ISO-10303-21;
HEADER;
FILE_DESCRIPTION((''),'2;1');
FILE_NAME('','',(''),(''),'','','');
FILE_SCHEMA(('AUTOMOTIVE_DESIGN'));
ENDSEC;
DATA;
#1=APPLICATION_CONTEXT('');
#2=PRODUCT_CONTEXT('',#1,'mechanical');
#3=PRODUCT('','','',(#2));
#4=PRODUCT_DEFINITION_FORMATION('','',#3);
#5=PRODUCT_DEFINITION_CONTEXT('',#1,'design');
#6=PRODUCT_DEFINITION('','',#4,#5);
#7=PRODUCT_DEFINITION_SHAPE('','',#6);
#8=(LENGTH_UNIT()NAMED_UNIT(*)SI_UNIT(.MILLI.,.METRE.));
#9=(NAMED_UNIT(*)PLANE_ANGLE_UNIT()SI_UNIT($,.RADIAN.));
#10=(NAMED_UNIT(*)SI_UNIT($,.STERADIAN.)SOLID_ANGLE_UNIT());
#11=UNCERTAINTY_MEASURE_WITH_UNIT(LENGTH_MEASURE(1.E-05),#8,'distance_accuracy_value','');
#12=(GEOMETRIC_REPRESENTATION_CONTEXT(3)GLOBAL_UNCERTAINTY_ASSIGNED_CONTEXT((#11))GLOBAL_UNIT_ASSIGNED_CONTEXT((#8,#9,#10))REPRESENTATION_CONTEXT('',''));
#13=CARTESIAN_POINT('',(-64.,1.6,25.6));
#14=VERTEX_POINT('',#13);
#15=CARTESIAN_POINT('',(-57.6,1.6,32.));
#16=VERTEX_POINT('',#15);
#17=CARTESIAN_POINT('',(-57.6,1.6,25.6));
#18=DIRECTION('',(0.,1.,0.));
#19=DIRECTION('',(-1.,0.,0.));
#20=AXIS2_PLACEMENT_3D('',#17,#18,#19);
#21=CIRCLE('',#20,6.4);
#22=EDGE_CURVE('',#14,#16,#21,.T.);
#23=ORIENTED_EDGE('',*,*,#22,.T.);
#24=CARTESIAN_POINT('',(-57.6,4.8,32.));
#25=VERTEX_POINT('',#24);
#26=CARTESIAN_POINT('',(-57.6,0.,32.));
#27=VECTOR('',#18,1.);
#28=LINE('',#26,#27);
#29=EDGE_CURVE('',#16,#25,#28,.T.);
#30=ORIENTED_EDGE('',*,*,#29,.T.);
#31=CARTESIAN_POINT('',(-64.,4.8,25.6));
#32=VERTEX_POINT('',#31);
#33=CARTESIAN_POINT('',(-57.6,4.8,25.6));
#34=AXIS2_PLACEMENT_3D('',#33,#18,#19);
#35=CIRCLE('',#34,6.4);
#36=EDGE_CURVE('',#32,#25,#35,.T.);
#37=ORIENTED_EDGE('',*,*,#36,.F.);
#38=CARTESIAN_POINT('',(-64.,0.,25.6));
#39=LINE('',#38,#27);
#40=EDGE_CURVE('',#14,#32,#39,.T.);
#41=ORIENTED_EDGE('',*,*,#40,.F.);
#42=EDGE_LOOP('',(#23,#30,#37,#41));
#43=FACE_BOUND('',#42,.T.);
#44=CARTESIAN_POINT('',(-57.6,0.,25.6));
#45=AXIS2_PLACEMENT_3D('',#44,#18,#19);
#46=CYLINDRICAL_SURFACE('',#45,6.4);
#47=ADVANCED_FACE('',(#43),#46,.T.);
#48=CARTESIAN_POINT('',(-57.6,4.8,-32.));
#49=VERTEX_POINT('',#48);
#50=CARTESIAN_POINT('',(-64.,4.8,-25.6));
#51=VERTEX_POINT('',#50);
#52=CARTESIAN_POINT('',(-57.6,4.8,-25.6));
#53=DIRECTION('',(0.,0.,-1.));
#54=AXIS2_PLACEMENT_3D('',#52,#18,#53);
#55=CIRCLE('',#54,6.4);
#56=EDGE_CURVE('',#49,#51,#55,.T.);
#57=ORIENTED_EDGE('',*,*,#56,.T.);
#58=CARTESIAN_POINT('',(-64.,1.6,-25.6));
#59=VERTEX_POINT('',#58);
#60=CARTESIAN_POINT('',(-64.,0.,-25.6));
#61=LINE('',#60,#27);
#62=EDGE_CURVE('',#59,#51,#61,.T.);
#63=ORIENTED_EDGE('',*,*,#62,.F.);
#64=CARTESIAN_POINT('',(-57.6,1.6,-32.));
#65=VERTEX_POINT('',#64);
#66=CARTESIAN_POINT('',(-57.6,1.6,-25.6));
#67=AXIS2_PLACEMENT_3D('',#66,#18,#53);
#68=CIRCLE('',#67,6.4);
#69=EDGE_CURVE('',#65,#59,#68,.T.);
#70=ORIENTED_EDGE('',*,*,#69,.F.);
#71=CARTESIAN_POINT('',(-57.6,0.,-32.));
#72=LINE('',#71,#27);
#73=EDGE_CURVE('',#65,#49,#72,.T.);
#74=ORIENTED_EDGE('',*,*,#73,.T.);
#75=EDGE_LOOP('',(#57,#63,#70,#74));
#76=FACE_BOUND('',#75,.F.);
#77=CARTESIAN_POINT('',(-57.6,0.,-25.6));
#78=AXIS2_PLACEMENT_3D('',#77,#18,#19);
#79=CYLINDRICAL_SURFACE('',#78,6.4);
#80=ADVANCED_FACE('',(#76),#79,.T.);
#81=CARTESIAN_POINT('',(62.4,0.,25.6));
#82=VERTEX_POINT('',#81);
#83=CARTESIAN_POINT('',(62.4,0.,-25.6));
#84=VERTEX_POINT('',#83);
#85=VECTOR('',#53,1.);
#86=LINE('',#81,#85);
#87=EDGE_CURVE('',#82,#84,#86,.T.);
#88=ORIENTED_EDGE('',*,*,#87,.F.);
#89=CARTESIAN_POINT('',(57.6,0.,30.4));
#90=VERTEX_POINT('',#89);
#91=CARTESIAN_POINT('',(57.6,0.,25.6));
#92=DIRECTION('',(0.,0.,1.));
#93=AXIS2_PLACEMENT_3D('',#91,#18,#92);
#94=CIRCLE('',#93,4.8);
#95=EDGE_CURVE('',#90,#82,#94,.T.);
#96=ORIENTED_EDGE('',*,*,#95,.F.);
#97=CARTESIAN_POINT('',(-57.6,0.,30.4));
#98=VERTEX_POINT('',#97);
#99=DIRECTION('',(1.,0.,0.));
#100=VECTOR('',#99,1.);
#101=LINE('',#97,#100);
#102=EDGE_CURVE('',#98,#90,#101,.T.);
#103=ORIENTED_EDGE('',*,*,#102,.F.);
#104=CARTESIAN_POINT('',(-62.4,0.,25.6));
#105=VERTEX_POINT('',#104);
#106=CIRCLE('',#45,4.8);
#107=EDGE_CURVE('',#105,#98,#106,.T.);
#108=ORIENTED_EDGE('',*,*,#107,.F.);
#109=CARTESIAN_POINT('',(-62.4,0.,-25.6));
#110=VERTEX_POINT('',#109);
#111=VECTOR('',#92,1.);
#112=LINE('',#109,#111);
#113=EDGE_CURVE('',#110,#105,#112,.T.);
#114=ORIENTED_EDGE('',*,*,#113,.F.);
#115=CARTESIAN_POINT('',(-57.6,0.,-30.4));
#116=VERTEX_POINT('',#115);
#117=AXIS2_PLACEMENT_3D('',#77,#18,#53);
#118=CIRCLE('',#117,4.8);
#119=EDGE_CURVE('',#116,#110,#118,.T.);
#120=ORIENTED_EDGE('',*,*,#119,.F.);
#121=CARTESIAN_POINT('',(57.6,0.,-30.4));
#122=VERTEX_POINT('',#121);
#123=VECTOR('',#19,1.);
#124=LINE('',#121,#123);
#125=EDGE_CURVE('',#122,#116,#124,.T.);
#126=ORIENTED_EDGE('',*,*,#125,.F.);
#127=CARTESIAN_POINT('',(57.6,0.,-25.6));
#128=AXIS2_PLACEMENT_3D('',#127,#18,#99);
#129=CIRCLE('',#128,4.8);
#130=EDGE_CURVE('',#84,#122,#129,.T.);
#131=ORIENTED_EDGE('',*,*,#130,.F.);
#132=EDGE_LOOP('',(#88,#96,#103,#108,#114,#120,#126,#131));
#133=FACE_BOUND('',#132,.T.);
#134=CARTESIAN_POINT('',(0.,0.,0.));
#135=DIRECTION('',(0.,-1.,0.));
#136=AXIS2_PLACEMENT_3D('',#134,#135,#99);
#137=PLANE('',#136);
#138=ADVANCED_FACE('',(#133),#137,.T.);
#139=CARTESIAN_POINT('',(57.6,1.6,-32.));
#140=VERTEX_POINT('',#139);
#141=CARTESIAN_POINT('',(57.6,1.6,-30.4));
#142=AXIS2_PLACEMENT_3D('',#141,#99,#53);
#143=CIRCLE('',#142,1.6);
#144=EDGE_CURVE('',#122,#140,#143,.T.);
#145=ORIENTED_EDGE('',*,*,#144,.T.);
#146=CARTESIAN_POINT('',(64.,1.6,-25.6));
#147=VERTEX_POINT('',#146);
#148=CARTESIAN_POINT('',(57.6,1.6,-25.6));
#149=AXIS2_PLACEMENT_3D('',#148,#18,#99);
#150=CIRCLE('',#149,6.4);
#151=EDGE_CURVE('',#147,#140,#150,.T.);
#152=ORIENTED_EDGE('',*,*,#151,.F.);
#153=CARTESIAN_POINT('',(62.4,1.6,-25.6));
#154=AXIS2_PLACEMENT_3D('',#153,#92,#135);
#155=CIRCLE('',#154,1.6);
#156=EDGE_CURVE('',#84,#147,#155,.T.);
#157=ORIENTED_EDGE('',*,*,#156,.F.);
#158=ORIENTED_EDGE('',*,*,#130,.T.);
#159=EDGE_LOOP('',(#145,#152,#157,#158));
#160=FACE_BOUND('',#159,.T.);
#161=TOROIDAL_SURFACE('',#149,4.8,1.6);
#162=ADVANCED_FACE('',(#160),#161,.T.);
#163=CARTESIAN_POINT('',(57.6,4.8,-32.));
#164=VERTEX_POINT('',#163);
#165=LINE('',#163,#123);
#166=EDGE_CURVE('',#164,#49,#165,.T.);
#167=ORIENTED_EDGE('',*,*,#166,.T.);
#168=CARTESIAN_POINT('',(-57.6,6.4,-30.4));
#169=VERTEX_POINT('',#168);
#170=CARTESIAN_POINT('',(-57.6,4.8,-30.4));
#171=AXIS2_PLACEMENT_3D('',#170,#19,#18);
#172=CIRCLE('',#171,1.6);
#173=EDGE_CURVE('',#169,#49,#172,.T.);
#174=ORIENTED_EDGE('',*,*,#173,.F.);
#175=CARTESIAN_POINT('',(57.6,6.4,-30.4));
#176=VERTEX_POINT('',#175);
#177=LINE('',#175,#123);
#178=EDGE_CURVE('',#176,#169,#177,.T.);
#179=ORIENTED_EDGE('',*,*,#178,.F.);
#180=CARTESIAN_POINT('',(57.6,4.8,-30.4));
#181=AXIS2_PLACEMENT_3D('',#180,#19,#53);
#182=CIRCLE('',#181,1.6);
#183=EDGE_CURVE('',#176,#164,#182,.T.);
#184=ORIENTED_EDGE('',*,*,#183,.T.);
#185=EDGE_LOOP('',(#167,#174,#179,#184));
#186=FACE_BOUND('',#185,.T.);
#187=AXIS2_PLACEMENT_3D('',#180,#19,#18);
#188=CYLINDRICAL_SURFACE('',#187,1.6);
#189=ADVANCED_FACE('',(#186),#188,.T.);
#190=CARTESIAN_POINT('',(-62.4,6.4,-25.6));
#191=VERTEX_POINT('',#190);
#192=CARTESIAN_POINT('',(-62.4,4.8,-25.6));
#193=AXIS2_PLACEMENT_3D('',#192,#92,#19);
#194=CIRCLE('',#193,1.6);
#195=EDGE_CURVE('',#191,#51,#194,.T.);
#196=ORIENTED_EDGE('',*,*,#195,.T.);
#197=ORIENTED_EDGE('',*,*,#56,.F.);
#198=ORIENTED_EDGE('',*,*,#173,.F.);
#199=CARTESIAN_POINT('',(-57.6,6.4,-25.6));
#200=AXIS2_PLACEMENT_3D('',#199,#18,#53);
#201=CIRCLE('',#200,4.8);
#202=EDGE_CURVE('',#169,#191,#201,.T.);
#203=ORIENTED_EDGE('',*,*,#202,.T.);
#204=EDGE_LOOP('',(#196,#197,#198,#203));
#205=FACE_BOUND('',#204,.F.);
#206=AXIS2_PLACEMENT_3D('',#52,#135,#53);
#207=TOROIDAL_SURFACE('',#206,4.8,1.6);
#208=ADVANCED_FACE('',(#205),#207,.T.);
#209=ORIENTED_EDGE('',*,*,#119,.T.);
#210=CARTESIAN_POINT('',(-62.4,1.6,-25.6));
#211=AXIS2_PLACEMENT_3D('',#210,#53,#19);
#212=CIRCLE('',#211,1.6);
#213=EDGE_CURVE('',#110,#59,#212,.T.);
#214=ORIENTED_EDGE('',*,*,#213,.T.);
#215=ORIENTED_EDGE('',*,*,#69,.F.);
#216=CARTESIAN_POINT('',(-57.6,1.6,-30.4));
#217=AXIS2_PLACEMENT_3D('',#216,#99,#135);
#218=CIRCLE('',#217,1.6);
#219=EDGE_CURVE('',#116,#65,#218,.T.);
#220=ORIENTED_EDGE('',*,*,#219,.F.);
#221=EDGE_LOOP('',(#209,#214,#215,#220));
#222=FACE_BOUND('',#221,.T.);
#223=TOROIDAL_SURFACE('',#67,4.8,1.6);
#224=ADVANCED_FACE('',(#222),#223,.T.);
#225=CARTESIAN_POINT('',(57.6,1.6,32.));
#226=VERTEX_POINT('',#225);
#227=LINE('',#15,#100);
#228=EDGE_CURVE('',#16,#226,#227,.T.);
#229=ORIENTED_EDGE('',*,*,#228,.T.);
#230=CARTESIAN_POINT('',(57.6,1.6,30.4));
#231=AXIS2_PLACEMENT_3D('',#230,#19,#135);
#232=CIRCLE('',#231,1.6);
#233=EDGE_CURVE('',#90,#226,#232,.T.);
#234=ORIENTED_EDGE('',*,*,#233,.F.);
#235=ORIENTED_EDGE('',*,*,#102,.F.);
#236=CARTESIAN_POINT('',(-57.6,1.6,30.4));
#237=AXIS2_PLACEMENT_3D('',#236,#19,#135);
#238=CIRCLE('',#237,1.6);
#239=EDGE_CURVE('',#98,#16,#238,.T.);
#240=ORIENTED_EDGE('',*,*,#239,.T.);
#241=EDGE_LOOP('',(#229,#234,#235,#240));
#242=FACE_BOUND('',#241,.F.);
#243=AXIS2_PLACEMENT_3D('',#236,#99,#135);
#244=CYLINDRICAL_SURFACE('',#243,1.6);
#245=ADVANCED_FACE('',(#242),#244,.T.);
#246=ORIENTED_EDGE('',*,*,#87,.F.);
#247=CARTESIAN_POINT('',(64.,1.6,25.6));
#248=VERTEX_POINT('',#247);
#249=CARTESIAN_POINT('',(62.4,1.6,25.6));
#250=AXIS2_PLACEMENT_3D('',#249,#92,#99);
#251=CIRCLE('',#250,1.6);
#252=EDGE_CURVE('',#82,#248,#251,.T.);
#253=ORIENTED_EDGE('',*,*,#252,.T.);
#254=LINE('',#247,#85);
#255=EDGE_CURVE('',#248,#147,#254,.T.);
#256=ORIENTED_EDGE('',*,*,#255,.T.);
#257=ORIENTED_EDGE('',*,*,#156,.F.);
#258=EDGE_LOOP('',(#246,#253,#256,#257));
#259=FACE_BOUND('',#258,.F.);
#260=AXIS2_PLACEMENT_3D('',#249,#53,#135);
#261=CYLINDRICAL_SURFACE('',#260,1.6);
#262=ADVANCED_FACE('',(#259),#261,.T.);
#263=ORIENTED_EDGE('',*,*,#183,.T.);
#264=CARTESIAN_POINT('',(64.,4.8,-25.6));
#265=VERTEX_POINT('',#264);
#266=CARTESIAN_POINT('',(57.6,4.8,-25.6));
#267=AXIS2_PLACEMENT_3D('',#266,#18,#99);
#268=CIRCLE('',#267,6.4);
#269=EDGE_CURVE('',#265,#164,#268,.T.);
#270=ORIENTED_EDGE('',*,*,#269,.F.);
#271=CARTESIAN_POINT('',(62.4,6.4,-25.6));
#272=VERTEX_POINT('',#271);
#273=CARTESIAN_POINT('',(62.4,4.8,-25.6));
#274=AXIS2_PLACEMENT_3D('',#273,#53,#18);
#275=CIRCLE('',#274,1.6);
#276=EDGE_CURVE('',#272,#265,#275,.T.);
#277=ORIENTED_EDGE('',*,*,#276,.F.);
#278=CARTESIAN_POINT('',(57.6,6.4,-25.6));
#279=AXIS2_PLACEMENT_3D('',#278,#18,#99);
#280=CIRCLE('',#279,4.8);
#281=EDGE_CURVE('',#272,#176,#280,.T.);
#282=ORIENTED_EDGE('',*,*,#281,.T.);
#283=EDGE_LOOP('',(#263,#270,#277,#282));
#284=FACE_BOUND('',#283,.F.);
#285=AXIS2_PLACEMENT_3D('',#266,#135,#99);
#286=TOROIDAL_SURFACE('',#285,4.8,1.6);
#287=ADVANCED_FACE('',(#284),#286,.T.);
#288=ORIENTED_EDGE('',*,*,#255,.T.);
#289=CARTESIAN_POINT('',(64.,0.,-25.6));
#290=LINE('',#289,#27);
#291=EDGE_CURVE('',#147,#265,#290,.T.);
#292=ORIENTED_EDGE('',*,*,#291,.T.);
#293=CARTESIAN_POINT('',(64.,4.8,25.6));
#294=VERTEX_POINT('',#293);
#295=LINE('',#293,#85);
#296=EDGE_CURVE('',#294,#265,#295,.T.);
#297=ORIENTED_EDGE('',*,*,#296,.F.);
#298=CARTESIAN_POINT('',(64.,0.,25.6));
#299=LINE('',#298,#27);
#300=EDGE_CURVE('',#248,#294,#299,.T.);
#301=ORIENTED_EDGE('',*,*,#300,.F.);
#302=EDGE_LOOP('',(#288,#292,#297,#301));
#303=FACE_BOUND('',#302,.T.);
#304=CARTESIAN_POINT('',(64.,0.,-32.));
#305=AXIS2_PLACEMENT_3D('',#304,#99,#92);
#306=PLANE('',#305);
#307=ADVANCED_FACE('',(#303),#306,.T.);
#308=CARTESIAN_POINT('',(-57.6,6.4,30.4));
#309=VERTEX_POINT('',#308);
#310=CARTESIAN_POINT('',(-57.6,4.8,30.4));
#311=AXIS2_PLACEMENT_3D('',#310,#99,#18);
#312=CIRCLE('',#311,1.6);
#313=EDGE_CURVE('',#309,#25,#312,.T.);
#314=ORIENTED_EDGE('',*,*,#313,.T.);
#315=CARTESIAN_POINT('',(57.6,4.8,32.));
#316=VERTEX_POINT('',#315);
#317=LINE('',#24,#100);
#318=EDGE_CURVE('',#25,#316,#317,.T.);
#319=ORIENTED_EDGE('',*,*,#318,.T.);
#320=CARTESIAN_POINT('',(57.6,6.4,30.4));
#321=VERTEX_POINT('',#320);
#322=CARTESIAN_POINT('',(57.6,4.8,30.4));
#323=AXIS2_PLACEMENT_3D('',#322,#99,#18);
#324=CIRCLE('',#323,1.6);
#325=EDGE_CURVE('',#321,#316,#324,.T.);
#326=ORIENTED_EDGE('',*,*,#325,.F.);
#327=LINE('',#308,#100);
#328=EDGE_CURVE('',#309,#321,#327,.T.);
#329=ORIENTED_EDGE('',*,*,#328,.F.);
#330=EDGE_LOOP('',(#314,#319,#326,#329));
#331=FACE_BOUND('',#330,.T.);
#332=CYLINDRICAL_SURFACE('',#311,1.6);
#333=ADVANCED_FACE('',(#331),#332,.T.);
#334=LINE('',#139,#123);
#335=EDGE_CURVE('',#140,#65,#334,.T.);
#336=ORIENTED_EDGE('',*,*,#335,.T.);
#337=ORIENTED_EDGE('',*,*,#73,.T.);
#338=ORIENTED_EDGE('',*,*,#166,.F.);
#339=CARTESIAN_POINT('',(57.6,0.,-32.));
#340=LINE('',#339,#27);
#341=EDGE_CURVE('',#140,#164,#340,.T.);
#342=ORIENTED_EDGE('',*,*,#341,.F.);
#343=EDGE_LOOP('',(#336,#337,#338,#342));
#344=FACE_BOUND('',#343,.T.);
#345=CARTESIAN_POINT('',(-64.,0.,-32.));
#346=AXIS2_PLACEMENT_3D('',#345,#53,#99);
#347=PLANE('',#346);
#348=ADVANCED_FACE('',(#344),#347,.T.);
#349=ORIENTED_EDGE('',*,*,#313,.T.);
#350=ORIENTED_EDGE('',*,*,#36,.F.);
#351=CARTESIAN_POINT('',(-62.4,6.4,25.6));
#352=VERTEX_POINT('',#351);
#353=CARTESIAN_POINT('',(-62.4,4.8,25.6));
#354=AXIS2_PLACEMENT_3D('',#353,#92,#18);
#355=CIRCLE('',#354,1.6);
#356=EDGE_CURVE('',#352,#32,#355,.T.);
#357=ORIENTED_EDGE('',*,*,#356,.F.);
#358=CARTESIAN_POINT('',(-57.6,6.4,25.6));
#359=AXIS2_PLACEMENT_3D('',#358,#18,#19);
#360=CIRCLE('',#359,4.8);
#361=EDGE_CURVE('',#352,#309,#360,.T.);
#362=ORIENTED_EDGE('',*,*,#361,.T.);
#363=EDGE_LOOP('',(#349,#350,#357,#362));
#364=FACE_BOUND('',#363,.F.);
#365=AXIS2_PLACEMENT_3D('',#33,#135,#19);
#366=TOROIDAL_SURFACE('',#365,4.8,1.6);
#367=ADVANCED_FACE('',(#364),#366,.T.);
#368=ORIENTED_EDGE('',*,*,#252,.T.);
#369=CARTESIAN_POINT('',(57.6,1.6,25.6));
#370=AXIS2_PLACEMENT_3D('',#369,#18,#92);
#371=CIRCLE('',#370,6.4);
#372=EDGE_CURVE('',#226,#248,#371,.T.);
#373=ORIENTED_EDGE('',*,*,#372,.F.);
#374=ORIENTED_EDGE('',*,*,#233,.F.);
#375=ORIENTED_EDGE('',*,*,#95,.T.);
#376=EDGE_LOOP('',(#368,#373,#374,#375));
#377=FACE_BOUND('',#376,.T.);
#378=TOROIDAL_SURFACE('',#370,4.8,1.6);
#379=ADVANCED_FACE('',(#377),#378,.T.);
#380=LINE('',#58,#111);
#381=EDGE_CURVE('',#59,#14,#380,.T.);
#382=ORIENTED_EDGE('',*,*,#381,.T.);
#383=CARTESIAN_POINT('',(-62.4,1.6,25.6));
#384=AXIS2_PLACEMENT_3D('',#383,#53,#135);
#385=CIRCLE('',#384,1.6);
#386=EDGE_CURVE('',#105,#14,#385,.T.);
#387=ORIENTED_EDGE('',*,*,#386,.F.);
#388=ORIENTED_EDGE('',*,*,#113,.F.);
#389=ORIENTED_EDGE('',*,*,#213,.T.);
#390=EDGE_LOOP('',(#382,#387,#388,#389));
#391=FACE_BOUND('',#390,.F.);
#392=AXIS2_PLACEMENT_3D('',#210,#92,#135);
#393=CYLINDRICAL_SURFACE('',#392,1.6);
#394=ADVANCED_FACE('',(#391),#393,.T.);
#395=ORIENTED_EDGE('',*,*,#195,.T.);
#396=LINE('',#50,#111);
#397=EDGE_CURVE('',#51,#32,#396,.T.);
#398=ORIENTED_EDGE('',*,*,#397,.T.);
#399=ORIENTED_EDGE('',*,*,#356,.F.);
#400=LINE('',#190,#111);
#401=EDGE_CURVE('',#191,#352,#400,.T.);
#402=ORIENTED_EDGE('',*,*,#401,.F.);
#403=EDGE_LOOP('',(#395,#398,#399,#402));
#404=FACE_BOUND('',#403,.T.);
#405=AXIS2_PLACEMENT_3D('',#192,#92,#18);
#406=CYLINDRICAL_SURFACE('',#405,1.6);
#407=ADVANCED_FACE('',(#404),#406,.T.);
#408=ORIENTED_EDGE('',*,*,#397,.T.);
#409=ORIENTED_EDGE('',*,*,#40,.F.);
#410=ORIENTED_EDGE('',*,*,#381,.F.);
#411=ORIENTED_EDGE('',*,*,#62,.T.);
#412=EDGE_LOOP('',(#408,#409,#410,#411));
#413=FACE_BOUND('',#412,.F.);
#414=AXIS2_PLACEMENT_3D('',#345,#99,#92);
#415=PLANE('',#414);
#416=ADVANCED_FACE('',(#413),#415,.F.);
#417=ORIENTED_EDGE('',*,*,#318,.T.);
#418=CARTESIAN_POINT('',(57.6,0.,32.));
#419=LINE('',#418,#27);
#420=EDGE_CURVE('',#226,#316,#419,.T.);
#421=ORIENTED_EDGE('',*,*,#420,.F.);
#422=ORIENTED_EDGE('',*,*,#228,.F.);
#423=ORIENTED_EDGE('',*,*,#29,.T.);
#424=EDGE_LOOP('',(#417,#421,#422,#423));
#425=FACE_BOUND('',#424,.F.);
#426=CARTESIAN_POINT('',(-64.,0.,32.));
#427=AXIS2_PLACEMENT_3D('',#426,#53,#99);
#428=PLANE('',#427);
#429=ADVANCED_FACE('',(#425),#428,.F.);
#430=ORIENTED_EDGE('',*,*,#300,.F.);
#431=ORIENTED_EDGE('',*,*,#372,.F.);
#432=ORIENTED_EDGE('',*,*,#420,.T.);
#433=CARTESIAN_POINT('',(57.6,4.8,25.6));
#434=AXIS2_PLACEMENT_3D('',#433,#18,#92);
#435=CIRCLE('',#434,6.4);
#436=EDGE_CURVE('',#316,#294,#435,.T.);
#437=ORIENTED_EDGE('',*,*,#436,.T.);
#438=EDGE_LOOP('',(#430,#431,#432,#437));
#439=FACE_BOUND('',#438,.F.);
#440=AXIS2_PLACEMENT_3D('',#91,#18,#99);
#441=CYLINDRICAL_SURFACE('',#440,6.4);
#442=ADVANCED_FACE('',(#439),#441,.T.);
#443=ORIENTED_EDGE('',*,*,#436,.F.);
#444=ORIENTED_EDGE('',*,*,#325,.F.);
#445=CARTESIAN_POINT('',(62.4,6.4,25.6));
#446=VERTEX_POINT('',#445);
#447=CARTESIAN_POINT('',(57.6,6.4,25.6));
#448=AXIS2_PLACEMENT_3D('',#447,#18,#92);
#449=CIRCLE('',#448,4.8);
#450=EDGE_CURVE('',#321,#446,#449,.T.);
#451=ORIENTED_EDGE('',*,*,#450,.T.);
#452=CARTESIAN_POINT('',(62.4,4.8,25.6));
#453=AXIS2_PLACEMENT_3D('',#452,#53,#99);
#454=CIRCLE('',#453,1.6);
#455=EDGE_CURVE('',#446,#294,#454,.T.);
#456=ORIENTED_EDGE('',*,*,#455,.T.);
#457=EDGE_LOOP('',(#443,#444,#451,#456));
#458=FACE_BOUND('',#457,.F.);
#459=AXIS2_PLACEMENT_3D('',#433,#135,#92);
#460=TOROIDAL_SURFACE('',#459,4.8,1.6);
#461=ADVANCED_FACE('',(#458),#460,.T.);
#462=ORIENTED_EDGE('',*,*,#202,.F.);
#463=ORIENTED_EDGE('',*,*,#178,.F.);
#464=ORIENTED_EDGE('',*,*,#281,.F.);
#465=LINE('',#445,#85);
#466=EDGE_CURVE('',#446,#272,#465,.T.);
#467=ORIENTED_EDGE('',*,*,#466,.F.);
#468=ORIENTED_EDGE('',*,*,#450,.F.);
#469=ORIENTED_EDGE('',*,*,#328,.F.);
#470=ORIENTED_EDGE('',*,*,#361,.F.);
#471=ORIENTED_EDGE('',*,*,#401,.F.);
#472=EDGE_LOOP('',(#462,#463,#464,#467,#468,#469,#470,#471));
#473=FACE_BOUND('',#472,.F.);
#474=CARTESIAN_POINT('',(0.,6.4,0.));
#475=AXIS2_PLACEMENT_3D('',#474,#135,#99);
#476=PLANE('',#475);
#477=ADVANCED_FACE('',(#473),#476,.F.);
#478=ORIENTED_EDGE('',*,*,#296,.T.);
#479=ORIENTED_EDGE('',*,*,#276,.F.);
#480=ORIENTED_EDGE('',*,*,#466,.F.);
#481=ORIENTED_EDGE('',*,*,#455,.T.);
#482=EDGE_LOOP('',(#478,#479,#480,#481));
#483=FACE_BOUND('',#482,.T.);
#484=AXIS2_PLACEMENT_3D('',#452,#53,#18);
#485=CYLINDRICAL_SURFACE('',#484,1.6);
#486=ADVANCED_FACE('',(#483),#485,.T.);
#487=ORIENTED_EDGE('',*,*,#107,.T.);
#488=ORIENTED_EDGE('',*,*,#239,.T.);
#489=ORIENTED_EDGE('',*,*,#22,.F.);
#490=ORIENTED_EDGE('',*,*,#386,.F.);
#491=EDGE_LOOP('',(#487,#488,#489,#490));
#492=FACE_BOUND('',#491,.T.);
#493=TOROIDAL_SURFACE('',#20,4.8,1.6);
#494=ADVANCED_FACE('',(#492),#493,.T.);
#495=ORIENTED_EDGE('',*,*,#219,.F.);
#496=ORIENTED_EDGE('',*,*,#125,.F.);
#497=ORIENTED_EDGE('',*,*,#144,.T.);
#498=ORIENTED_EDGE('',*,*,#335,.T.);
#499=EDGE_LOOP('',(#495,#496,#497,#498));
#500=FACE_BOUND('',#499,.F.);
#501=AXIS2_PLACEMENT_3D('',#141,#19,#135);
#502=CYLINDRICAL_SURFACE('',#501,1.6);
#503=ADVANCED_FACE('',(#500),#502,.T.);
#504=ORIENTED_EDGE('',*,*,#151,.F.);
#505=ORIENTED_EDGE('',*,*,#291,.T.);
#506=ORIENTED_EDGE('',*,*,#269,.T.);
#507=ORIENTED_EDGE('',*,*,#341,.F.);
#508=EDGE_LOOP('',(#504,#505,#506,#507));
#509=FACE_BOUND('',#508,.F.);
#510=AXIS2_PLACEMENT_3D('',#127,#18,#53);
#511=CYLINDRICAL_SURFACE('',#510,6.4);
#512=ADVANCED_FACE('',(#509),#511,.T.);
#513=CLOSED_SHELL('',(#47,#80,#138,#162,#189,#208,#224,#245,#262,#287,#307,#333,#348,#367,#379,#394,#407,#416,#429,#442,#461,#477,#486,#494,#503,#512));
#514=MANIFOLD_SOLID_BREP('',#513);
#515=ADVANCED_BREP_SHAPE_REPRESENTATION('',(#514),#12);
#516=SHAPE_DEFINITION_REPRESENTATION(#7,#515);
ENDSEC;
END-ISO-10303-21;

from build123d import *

# Parameters (mm, degrees)
F0_W     = 128
F0_H     = 64
F1_DEPTH = 6.4
F2_R     = 6.4
F3_R     = 1.6


with BuildPart() as f1:
    # F0 (on Front) → F1 (new body)
    with BuildSketch(Plane.XZ):
        Rectangle(F0_W, F0_H)
    extrude(amount=-F1_DEPTH)

    # F2
    f2_edges = [f1.edges().sort_by_distance(p)[0] for p in [
        (64, 3.2, 32),
        (64, 3.2, -32),
        (-64, 3.2, 32),
        (-64, 3.2, -32),
    ]]
    fillet(f2_edges, radius=F2_R)

    # F3
    f3_edges = [f1.edges().sort_by_distance(p)[0] for p in [
        (0, 0, 32),
        (62.125483, 0, 30.125483),
        (-62.125483, 0, 30.125483),
        (64, 0, 0),
        (-64, 0, 0),
        (62.125483, 0, -30.125483),
        (-62.125483, 0, -30.125483),
        (0, 0, -32),
        (0, 6.4, 32),
        (62.125483, 6.4, 30.125483),
        (-62.125483, 6.4, 30.125483),
        (64, 6.4, 0),
        (-64, 6.4, 0),
        (62.125483, 6.4, -30.125483),
        (-62.125483, 6.4, -30.125483),
        (0, 6.4, -32),
    ]]
    fillet(f3_edges, radius=F3_R)


solid = f1.part
